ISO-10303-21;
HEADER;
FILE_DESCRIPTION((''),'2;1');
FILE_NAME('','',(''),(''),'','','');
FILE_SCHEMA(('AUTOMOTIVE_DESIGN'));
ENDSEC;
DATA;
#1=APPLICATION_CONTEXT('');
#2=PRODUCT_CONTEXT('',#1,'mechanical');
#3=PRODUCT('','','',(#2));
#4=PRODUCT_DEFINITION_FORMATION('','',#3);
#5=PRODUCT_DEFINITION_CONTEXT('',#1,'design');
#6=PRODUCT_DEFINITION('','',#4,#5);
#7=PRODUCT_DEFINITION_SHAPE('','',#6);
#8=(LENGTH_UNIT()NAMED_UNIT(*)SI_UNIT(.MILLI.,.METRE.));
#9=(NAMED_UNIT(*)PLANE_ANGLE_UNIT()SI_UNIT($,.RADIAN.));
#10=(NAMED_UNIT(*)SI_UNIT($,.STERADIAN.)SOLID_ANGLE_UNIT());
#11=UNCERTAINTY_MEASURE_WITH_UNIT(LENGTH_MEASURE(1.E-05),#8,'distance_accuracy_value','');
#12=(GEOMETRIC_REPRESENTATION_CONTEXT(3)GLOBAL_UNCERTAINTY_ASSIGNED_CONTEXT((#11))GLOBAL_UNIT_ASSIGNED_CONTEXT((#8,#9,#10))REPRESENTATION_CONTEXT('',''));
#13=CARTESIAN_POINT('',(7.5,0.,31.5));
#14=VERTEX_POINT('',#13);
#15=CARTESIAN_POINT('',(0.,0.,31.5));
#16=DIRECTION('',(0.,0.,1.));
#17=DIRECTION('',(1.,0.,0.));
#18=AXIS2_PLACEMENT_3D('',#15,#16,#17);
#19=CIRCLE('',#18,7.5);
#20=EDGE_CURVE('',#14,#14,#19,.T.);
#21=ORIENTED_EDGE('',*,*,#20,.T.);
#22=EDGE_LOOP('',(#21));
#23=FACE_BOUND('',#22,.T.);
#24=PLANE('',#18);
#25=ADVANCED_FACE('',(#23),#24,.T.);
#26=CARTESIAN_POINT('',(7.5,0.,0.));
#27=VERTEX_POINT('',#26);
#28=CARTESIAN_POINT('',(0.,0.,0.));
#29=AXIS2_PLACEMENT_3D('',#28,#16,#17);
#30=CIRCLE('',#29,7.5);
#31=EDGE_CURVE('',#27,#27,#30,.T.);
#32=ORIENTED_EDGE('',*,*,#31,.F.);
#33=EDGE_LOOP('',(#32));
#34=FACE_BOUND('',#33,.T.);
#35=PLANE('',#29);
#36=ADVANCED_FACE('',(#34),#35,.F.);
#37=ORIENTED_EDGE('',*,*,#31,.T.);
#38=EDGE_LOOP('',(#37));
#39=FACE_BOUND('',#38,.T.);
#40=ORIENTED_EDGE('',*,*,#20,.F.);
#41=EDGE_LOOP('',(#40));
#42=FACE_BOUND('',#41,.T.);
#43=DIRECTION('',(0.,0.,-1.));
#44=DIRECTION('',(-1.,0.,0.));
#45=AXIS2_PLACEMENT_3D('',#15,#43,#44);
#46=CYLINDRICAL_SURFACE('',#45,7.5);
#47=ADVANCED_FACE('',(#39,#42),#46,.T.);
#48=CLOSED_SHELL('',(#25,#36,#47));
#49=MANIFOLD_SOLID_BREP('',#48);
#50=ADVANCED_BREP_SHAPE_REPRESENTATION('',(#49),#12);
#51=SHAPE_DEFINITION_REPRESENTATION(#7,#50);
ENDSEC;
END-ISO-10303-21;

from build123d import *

# Parameters (mm, degrees)
CROQUIS1_R              = 7.5
SALIENTE_EXTRUIR1_DEPTH = 31.5


with BuildPart() as part:
    # Croquis1 → Saliente-Extruir1 (new body)
    with BuildSketch(Plane.XY):
        Circle(CROQUIS1_R)
    extrude(amount=SALIENTE_EXTRUIR1_DEPTH)


solid = part.part
